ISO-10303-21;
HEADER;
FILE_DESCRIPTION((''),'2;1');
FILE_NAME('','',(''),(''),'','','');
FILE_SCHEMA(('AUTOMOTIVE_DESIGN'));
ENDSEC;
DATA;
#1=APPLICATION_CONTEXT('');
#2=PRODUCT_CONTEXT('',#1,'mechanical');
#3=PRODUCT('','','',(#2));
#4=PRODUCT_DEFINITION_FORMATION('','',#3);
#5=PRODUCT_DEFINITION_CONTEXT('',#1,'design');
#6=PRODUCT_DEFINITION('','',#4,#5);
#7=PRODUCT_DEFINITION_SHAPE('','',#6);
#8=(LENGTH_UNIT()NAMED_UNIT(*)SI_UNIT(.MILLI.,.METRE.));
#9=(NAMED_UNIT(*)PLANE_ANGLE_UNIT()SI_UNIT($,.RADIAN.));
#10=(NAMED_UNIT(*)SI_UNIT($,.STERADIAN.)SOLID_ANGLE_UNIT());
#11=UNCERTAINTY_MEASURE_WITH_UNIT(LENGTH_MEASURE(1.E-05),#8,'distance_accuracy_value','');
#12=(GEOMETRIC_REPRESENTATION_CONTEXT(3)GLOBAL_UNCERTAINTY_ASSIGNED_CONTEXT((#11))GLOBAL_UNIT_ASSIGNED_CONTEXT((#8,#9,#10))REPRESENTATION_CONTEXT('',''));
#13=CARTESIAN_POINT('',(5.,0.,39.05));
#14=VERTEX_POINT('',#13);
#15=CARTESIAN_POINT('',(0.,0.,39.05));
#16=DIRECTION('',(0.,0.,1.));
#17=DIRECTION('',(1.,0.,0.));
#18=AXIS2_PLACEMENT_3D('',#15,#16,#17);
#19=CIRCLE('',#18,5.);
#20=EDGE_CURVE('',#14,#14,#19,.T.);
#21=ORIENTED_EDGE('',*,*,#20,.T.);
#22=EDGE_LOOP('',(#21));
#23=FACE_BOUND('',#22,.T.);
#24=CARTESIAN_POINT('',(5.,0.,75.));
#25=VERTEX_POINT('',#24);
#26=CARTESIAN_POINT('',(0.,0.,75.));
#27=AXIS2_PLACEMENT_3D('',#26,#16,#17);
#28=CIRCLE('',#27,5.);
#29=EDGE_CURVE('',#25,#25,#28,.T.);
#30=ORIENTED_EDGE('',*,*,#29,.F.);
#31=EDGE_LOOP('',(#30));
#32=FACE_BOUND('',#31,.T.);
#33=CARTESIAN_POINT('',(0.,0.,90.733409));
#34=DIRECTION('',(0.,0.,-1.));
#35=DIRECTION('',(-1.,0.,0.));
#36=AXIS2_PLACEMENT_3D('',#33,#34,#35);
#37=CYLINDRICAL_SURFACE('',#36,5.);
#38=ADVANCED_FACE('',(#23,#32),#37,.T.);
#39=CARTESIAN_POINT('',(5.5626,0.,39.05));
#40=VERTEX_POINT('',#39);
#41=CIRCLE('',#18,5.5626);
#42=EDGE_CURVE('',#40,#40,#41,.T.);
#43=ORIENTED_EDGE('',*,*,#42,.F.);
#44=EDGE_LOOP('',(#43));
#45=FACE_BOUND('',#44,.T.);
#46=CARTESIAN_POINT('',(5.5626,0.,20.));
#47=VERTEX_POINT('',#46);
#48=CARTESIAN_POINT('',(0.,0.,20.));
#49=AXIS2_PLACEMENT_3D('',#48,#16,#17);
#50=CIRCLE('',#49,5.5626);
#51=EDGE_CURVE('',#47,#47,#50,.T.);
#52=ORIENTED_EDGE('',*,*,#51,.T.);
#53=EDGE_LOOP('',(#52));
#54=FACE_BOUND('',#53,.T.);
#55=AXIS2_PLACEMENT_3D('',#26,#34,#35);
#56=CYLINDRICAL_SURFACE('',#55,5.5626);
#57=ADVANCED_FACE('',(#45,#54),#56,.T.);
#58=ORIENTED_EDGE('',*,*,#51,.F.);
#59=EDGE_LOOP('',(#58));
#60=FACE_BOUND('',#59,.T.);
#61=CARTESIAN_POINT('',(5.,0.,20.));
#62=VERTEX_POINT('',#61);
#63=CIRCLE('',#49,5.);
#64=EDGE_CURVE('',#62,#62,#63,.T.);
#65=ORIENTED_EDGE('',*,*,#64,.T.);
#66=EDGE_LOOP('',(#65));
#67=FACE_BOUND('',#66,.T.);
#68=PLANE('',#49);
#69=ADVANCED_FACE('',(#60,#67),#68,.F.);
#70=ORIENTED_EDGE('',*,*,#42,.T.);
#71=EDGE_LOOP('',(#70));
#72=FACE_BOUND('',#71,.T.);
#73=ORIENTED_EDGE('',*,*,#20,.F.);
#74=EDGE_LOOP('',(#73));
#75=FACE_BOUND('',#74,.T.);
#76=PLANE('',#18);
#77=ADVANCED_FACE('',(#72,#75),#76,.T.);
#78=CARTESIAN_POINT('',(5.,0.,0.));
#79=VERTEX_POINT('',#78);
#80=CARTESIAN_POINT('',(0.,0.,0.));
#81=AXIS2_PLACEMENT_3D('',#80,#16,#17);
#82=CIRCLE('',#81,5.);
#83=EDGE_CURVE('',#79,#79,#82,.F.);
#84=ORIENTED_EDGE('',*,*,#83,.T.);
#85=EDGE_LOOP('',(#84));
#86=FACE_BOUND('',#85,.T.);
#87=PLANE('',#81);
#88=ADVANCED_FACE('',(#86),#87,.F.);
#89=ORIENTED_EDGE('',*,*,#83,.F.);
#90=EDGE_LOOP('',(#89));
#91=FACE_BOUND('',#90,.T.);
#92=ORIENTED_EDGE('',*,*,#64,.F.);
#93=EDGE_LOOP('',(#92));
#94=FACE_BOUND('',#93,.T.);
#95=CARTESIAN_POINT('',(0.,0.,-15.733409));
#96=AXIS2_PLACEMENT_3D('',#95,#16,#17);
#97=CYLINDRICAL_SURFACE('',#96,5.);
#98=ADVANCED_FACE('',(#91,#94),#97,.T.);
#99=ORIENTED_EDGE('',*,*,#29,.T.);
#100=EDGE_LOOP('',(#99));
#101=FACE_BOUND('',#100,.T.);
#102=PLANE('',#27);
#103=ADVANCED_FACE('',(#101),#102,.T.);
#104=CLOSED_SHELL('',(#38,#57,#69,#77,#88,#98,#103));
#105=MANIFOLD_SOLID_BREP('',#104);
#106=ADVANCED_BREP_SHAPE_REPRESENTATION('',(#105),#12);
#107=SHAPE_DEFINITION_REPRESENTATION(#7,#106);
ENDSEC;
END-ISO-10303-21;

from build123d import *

# Parameters (mm, degrees)
SKETCH1_R           = 5.5626
BOSS_EXTRUDE1_DEPTH = 75
SKETCH5_R           = 5.5626
SKETCH5_R_2         = 5
CUT_EXTRUDE2_DEPTH  = 20
SKETCH6_R           = 5.5626
SKETCH6_R_2         = 5
CUT_EXTRUDE3_DEPTH  = 35.95


with BuildPart() as part:
    # Sketch1 → Boss-Extrude1 (new body)
    with BuildSketch(Plane.XY):
        Circle(SKETCH1_R)
    extrude(amount=BOSS_EXTRUDE1_DEPTH)

    # Sketch5 → Cut-Extrude2 (cut)
    with BuildSketch(Plane.XY.offset(20)):
        Circle(SKETCH5_R)
        Circle(SKETCH5_R_2, mode=Mode.SUBTRACT)
    extrude(amount=-CUT_EXTRUDE2_DEPTH, mode=Mode.SUBTRACT)

    # Sketch6 → Cut-Extrude3 (cut)
    with BuildSketch(Plane.XY.offset(39.05)):
        Circle(SKETCH6_R)
        Circle(SKETCH6_R_2, mode=Mode.SUBTRACT)
    extrude(amount=CUT_EXTRUDE3_DEPTH, mode=Mode.SUBTRACT)


solid = part.part
